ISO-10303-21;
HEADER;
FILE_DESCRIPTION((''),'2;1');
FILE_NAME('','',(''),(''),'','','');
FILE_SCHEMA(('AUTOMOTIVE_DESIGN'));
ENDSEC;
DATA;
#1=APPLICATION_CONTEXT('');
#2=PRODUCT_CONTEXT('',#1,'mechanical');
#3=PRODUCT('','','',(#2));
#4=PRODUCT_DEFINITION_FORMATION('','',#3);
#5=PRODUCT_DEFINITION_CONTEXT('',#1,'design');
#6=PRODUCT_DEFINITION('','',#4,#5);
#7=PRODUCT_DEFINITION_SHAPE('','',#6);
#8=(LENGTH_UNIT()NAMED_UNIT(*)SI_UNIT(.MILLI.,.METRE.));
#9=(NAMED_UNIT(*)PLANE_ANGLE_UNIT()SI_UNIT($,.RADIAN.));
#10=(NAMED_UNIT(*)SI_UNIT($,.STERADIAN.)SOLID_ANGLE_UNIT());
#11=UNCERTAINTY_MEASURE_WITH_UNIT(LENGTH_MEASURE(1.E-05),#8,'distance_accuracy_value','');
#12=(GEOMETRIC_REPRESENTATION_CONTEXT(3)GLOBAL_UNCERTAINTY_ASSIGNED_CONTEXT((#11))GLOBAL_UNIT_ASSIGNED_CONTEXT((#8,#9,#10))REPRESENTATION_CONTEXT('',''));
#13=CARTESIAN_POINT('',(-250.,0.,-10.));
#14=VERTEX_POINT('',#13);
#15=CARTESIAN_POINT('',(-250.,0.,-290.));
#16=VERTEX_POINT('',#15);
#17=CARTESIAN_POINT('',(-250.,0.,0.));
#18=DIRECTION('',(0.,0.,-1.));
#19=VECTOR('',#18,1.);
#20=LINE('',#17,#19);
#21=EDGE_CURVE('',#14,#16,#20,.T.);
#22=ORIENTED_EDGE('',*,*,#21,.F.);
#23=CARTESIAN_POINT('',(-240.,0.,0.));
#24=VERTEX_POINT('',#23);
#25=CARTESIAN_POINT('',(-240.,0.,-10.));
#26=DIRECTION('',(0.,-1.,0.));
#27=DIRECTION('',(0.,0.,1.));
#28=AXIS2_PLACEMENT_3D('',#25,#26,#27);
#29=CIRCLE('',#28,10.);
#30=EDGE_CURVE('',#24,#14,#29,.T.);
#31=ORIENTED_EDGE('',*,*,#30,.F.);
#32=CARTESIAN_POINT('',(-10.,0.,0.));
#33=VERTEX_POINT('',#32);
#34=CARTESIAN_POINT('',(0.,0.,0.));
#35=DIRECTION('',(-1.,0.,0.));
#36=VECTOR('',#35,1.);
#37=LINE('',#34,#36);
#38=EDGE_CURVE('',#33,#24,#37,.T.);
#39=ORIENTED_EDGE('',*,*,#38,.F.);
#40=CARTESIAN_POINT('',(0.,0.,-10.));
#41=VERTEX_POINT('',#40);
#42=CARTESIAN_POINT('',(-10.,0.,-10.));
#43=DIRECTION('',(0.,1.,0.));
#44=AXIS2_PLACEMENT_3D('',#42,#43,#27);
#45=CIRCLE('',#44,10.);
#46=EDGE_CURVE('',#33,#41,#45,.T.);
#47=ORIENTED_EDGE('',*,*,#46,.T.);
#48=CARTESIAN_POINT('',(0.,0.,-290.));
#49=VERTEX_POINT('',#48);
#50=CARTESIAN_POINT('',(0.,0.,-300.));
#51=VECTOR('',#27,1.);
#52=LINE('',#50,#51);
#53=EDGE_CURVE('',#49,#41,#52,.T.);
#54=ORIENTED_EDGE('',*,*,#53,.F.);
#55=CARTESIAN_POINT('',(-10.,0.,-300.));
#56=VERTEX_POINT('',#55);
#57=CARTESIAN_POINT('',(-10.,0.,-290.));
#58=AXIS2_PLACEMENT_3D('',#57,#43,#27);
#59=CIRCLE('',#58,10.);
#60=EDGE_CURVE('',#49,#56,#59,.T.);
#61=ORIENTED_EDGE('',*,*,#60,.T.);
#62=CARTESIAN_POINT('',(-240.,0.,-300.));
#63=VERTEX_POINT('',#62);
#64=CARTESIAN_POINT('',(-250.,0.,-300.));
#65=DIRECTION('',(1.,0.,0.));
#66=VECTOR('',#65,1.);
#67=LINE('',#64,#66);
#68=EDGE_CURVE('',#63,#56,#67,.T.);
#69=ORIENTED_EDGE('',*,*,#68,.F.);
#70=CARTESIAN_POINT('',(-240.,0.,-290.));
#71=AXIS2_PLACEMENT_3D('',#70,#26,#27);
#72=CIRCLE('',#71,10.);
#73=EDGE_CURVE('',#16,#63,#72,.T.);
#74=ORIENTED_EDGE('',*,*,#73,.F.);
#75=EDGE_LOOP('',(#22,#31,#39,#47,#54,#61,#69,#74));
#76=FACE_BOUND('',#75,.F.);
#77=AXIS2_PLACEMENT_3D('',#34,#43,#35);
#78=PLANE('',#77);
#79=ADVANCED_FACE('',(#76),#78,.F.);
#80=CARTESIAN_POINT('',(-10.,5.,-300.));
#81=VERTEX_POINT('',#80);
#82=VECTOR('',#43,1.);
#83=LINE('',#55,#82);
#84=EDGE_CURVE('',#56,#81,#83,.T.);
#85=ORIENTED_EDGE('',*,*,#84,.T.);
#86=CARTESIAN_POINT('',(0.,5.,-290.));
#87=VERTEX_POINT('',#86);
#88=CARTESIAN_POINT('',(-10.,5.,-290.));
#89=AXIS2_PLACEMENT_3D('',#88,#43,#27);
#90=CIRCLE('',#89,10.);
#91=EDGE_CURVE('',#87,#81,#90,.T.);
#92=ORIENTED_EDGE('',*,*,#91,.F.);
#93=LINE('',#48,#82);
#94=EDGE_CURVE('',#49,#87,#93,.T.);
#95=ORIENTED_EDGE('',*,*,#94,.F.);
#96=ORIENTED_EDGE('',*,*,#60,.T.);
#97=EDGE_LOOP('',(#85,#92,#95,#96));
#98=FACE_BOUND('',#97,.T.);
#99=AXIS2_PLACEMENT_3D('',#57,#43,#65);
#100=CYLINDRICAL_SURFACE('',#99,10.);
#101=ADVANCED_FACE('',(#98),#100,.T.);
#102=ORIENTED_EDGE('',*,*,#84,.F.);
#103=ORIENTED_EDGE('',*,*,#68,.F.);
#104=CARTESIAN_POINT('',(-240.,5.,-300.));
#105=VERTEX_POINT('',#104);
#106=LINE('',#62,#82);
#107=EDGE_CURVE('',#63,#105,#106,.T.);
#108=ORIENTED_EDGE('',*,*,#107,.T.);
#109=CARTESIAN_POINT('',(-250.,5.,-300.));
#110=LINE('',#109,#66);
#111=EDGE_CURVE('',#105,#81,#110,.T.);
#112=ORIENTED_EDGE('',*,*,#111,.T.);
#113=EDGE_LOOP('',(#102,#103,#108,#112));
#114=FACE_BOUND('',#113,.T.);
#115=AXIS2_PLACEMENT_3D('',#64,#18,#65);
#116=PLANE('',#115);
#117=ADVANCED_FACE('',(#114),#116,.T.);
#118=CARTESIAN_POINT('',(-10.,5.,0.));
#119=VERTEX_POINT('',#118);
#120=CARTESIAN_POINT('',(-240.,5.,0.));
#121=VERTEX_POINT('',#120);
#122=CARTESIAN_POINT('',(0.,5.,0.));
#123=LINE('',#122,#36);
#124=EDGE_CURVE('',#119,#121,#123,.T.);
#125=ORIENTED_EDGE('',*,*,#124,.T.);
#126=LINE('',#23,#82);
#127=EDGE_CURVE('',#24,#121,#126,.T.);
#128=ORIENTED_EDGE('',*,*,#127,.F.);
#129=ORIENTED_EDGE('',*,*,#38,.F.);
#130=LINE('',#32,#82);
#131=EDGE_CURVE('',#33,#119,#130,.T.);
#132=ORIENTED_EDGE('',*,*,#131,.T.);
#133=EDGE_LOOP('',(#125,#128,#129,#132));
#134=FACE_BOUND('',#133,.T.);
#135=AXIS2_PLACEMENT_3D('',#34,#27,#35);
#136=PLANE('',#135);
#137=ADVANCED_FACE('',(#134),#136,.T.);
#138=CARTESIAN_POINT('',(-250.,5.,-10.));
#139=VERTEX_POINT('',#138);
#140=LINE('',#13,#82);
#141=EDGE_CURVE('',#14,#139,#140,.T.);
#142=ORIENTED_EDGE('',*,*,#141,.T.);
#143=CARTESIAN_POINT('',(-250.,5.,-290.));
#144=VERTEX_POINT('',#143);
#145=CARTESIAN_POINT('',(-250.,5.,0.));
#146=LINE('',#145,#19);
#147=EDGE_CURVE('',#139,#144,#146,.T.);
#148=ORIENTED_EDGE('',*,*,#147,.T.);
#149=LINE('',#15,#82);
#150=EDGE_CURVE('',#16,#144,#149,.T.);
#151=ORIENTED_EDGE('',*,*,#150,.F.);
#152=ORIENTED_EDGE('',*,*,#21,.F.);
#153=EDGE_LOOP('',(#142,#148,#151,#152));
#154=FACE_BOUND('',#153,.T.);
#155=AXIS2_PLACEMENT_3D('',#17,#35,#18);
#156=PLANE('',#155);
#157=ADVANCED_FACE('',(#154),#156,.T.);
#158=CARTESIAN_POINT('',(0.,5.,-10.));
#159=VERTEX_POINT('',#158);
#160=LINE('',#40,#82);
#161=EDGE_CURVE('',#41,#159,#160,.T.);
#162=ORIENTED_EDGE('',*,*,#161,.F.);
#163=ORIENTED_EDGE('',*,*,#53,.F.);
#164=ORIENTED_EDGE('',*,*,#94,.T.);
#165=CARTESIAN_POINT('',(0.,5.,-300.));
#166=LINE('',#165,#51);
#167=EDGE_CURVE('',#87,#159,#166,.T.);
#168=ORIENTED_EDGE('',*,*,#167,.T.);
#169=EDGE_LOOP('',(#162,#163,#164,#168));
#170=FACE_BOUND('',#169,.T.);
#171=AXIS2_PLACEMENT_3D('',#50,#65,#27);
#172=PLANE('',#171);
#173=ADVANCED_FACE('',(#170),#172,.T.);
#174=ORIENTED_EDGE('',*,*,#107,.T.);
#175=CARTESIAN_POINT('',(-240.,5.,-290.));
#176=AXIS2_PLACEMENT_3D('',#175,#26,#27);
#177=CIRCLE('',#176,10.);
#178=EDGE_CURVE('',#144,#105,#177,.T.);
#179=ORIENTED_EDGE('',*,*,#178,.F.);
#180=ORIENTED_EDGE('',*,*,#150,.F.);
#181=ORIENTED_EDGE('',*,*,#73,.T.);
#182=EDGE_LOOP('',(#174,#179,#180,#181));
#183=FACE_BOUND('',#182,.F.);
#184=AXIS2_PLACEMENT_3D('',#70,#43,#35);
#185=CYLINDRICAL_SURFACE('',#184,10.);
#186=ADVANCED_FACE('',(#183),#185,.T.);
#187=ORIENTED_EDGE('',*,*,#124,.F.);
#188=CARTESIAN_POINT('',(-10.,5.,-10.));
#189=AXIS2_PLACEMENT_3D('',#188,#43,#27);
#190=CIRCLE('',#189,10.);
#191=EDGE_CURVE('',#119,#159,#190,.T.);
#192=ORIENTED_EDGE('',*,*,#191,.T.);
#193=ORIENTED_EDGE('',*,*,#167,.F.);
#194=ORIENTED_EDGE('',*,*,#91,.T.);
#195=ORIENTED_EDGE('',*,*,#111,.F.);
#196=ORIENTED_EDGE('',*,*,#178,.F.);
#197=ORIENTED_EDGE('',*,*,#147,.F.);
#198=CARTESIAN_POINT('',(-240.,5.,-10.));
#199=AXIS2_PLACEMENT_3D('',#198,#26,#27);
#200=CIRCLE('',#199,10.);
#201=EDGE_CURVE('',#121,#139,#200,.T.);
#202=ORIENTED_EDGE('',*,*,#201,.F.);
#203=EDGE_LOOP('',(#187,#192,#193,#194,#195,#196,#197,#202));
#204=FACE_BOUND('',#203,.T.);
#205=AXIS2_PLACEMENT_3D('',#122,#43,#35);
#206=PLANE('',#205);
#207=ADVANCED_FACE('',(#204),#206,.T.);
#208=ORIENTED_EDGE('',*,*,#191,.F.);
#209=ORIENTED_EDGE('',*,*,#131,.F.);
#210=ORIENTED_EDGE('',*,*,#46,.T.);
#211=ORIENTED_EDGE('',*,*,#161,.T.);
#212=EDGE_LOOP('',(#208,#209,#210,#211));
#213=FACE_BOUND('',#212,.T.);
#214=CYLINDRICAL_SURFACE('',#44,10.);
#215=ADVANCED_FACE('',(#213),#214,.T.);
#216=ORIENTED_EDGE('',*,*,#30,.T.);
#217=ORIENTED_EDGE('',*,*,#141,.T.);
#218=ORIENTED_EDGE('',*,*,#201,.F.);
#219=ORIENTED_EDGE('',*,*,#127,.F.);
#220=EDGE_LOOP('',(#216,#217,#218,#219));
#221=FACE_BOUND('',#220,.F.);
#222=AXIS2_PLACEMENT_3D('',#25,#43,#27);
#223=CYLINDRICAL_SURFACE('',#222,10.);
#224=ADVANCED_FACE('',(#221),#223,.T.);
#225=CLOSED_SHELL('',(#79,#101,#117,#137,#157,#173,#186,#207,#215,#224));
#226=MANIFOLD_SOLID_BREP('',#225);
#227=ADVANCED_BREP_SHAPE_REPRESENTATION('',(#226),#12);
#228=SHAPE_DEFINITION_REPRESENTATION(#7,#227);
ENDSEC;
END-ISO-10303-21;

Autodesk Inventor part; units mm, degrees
ref_plane "YZ Plane" through (0, 0, 0) normal (1, 0, 0) x (0, 1, 0)
ref_plane "XZ Plane" through (0, 0, 0) normal (0, 1, 0) x (-1, 0, 0)
ref_plane "XY Plane" through (0, 0, 0) normal (0, 0, 1) x (1, 0, 0)
sketch "Sketch1" plane through (0, 0, 0) normal (0, 1, 0) x (-1, 0, 0)
  line L0 (0, 0) -> (250, 0)
  line L1 (250, 0) -> (250, -300)
  line L2 (250, -300) -> (0, -300)
  line L3 (0, -300) -> (0, 0)
  dimension "d0" = 250
  dimension "d1" = 300
extrude "Extrusion1" add sketch "Sketch1" along normal blind 5
fillet "Fillet1" radius 10 1 edges at (-250, 2.5, 0)
fillet "Fillet2" radius 10 3 edges at (0, 2.5, 0) (0, 2.5, -300) (-250, 2.5, -300)
